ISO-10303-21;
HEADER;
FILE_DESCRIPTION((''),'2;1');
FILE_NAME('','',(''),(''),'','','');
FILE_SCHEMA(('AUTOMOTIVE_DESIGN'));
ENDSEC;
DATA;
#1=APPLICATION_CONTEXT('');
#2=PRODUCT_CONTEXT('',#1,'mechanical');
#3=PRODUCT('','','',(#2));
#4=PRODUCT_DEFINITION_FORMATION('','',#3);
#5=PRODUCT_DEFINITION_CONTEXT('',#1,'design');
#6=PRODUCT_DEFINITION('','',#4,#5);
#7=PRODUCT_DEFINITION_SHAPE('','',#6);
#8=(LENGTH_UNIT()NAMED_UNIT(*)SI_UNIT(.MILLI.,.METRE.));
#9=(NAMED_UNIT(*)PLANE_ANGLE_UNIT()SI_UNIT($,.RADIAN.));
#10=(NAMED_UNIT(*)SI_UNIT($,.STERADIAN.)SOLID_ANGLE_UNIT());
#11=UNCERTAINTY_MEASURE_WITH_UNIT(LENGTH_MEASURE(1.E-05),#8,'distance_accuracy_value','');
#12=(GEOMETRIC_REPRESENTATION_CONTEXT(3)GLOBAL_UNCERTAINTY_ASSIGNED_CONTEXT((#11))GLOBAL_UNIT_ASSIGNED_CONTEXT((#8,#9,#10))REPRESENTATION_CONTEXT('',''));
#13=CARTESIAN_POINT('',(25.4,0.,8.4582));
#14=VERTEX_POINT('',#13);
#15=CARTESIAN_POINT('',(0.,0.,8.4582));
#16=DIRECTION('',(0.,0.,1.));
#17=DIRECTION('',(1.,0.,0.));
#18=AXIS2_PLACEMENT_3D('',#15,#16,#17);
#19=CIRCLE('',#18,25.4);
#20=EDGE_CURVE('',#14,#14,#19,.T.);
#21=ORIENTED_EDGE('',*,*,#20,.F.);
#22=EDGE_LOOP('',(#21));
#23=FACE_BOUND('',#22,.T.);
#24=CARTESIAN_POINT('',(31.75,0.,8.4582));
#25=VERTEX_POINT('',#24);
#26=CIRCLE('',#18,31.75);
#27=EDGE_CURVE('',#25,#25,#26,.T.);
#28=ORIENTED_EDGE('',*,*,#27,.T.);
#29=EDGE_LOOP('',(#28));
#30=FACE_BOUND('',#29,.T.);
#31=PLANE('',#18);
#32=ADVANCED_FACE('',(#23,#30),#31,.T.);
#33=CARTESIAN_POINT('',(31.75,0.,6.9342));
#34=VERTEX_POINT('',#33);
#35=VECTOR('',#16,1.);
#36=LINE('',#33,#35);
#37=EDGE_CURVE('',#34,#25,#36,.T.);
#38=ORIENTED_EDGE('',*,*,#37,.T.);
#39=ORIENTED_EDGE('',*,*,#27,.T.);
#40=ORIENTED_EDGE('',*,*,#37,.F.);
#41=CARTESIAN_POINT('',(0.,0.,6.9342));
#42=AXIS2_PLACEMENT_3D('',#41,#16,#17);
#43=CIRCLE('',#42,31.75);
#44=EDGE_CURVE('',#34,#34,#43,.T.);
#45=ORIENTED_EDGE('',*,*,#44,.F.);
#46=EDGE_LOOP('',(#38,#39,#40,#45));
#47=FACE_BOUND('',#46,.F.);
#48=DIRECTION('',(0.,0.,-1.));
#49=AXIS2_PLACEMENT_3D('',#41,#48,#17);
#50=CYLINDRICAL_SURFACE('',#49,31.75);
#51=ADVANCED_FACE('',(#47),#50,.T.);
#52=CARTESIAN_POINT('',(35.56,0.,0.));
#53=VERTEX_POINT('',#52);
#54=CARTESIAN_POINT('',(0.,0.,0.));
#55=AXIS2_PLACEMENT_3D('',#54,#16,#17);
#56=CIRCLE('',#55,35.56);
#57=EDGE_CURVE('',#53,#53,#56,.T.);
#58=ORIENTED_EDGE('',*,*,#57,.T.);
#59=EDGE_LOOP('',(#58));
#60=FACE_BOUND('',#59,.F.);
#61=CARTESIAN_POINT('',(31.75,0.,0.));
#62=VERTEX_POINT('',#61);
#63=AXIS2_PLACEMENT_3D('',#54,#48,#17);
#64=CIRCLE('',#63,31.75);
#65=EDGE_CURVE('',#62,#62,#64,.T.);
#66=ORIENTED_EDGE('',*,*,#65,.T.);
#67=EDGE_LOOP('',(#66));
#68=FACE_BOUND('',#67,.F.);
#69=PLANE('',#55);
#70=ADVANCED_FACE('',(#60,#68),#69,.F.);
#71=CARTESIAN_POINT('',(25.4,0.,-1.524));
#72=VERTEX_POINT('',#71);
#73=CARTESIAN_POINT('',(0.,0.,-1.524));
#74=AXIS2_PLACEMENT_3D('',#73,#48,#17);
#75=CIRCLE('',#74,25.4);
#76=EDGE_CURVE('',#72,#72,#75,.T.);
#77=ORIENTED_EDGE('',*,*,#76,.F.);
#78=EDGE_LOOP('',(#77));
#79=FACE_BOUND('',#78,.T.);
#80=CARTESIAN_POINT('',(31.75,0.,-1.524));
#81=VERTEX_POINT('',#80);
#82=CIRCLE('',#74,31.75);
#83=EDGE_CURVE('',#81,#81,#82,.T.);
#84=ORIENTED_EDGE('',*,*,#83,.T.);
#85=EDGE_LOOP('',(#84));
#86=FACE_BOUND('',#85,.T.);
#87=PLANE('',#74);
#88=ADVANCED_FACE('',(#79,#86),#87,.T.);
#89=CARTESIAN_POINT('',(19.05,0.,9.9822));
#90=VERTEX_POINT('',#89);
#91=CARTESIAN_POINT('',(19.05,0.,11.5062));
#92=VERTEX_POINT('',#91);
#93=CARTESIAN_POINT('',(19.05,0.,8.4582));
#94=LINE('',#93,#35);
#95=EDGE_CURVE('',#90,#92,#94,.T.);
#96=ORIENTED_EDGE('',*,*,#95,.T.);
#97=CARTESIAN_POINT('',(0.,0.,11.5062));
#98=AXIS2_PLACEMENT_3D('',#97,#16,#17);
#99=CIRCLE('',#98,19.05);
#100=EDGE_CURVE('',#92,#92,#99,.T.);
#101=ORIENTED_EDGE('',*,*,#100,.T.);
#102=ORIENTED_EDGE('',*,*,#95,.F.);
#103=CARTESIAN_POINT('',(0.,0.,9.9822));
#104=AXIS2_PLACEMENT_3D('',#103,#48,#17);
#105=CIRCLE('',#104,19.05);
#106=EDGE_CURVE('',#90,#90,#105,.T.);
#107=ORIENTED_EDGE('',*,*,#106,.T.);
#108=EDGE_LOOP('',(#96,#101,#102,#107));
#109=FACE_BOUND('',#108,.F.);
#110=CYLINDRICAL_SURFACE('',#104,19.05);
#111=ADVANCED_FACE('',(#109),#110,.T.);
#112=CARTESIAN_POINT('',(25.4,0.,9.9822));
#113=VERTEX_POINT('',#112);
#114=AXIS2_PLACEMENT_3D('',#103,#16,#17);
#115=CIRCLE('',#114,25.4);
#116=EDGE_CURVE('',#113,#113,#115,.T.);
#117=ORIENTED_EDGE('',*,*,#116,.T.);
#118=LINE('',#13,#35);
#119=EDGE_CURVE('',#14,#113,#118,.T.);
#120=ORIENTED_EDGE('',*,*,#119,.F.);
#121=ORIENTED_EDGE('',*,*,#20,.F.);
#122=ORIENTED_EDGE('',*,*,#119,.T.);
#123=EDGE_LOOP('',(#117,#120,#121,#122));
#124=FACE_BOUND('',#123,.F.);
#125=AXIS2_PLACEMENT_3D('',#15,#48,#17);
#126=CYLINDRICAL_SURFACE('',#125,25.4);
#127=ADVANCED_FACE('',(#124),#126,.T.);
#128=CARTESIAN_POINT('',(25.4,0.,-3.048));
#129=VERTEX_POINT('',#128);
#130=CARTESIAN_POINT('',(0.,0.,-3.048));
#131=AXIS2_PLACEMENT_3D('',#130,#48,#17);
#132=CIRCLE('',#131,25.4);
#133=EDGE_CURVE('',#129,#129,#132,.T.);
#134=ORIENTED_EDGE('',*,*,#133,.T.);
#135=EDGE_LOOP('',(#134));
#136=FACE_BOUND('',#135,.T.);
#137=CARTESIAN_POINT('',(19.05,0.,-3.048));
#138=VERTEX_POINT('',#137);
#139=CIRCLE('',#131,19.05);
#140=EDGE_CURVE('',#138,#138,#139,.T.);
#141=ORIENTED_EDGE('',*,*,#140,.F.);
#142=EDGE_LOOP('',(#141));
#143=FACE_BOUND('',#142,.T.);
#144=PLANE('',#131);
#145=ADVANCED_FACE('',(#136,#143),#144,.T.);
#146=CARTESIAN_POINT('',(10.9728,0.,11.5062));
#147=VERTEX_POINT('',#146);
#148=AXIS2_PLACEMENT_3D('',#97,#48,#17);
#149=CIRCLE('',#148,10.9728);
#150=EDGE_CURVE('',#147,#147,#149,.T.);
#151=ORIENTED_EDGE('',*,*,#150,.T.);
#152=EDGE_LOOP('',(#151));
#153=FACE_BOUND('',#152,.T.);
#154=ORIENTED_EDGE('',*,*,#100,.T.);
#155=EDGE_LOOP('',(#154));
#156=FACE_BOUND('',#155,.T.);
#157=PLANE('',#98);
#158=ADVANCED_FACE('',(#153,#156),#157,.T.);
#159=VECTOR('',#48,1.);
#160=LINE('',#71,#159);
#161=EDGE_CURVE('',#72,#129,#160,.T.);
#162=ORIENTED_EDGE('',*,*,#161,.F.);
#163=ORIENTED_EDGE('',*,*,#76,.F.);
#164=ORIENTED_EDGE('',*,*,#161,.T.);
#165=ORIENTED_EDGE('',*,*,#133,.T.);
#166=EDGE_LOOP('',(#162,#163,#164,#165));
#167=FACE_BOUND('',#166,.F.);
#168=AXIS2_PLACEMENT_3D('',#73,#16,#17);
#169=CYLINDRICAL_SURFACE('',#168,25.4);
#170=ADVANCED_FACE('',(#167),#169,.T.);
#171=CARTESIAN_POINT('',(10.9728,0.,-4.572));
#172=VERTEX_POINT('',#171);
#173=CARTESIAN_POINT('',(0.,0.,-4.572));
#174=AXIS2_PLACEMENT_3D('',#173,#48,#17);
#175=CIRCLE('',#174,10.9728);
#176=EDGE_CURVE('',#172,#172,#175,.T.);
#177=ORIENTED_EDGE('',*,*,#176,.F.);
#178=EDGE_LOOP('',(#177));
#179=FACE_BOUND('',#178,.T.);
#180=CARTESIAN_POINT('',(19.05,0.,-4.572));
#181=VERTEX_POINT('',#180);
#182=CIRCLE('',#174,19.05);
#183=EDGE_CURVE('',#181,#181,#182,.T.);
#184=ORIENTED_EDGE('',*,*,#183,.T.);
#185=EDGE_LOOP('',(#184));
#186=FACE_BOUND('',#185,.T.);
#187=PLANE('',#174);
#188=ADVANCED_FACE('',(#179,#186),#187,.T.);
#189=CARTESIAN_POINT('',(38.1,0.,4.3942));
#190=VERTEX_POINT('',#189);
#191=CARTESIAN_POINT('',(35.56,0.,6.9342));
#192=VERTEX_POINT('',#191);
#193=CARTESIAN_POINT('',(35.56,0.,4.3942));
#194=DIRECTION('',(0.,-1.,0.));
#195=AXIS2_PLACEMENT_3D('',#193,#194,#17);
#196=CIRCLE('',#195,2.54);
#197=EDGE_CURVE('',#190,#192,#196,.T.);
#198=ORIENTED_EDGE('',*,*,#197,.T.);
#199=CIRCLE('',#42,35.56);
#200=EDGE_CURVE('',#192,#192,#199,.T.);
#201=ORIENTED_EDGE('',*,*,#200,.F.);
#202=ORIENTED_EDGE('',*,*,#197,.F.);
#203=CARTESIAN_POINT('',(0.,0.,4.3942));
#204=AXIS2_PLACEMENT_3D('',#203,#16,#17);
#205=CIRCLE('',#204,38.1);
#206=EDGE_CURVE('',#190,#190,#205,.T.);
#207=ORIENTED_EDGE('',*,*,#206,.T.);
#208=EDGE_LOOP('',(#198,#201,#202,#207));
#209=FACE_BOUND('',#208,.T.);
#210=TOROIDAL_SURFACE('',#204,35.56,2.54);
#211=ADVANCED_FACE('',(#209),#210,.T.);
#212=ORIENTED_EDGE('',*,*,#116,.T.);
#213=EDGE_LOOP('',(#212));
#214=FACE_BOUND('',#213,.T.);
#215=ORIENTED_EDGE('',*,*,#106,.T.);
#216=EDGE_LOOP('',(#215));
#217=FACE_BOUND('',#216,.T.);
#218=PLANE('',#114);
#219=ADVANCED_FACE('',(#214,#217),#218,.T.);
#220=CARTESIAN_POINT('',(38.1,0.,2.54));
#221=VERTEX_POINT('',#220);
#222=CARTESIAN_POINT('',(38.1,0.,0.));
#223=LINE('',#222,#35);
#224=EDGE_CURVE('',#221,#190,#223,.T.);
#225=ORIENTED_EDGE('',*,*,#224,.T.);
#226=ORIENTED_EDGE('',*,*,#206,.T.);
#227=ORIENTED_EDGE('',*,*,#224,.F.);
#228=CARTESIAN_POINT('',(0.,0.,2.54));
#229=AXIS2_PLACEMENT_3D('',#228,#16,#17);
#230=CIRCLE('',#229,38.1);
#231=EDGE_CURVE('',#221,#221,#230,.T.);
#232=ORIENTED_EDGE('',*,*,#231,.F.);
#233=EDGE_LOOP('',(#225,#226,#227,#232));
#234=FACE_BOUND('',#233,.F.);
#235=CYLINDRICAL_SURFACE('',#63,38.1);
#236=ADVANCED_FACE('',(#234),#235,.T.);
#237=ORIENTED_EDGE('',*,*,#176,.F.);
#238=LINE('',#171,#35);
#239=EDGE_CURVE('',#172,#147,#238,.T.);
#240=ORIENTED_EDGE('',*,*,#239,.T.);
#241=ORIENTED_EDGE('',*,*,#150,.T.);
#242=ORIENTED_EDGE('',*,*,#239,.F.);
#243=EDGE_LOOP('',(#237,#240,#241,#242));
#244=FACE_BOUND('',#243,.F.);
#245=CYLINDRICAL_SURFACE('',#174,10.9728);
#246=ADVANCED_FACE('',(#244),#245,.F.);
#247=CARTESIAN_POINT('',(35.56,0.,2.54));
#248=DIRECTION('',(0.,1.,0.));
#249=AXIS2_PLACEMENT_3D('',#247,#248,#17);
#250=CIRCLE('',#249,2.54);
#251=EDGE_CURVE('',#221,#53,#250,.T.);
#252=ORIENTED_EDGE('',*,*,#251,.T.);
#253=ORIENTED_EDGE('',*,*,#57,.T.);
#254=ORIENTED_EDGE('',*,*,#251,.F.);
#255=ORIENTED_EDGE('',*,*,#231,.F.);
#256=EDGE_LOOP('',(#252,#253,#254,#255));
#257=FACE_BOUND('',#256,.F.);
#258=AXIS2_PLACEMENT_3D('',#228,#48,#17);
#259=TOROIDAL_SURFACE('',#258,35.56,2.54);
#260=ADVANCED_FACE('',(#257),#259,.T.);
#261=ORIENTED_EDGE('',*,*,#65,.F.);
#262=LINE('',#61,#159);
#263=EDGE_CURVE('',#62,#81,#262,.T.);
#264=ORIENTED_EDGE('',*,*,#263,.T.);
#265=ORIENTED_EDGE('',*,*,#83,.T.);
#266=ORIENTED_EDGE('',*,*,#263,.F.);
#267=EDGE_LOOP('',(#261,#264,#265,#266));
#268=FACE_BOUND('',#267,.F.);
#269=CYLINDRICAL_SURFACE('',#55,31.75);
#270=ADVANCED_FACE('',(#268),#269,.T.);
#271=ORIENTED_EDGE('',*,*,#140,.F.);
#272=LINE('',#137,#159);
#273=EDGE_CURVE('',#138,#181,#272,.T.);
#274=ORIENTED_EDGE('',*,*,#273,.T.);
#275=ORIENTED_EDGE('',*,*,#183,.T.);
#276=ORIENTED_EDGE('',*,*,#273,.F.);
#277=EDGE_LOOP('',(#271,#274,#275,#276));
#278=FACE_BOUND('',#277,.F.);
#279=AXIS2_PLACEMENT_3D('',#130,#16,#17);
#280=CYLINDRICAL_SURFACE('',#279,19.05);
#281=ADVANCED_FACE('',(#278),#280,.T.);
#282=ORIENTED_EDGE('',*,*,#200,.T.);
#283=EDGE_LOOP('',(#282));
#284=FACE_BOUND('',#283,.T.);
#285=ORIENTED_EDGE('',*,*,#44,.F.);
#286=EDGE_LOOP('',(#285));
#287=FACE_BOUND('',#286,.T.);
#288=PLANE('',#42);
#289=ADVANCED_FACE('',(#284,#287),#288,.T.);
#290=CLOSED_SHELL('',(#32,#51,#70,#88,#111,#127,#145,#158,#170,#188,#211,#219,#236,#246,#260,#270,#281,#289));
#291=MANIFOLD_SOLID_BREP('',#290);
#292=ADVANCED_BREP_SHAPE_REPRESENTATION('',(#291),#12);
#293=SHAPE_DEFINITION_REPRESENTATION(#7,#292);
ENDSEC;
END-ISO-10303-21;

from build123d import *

# Parameters (mm, degrees)
F0_R      = 38.1
F1_DEPTH  = 6.9342
F2_R      = 2.54
F3_R      = 31.75
F4_DEPTH  = 1.524
F6_R      = 19.05
F7_DEPTH  = 1.524
F5_R      = 25.4
F8_DEPTH  = 1.524
F9_R      = 19.05
F10_DEPTH = 1.524
F11_R     = 31.75
F12_DEPTH = 1.524
F13_R     = 25.4
F14_DEPTH = 1.524
F15_R     = 19.05
F16_DEPTH = 1.524
F17_R     = 10.9728
F18_DEPTH = 25.4


with BuildPart() as f1:
    # F0 (on Top) → F1 (new body)
    with BuildSketch(Plane.XY):
        Circle(F0_R)
    extrude(amount=F1_DEPTH)

    # F2
    f2_edges = [f1.edges().sort_by_distance(p)[0] for p in [
        (-38.1, 0, 6.9342),
        (-38.1, 0, 0),
    ]]
    fillet(f2_edges, radius=F2_R)

    # F3 (on face) → F4 (join)
    with BuildSketch(Plane(origin=(0, 0, 0), x_dir=(1, 0, 0), z_dir=(0, 0, -1))):
        Circle(F3_R)
    extrude(amount=F4_DEPTH)

    # F5 (on face) → F8 (join)
    with BuildSketch(Plane(origin=(0, 0, -1.524), x_dir=(1, 0, 0), z_dir=(0, 0, -1))):
        Circle(F5_R)
    extrude(amount=F8_DEPTH)



with BuildPart() as f7:
    # F6 (on face) → F7 (new body)
    with BuildSketch(Plane.XY.offset(8.4582)):
        Circle(F6_R)
    extrude(amount=F7_DEPTH)

    # F9 (on face) → F10 (join)
    with BuildSketch(Plane.XY.offset(9.9822)):
        Circle(F9_R)
    extrude(amount=F10_DEPTH)


with BuildPart() as f1_1:
    add(f1.part)

    add(f7.part)  # F12 merges F7
    # F11 (on face) → F12 (join)
    with BuildSketch(Plane.XY.offset(6.9342)):
        Circle(F11_R)
    extrude(amount=F12_DEPTH)

    # F13 (on face) → F14 (join)
    with BuildSketch(Plane.XY.offset(8.4582)):
        Circle(F13_R)
    extrude(amount=F14_DEPTH)

    # F15 (on face) → F16 (join)
    with BuildSketch(Plane(origin=(0, 0, -3.048), x_dir=(1, 0, 0), z_dir=(0, 0, -1))):
        Circle(F15_R)
    extrude(amount=F16_DEPTH)

    # F17 (on face) → F18 (cut)
    with BuildSketch(Plane(origin=(0, 0, -4.572), x_dir=(1, 0, 0), z_dir=(0, 0, -1))):
        Circle(F17_R)
    extrude(amount=-F18_DEPTH, mode=Mode.SUBTRACT)


solid = f1_1.part
